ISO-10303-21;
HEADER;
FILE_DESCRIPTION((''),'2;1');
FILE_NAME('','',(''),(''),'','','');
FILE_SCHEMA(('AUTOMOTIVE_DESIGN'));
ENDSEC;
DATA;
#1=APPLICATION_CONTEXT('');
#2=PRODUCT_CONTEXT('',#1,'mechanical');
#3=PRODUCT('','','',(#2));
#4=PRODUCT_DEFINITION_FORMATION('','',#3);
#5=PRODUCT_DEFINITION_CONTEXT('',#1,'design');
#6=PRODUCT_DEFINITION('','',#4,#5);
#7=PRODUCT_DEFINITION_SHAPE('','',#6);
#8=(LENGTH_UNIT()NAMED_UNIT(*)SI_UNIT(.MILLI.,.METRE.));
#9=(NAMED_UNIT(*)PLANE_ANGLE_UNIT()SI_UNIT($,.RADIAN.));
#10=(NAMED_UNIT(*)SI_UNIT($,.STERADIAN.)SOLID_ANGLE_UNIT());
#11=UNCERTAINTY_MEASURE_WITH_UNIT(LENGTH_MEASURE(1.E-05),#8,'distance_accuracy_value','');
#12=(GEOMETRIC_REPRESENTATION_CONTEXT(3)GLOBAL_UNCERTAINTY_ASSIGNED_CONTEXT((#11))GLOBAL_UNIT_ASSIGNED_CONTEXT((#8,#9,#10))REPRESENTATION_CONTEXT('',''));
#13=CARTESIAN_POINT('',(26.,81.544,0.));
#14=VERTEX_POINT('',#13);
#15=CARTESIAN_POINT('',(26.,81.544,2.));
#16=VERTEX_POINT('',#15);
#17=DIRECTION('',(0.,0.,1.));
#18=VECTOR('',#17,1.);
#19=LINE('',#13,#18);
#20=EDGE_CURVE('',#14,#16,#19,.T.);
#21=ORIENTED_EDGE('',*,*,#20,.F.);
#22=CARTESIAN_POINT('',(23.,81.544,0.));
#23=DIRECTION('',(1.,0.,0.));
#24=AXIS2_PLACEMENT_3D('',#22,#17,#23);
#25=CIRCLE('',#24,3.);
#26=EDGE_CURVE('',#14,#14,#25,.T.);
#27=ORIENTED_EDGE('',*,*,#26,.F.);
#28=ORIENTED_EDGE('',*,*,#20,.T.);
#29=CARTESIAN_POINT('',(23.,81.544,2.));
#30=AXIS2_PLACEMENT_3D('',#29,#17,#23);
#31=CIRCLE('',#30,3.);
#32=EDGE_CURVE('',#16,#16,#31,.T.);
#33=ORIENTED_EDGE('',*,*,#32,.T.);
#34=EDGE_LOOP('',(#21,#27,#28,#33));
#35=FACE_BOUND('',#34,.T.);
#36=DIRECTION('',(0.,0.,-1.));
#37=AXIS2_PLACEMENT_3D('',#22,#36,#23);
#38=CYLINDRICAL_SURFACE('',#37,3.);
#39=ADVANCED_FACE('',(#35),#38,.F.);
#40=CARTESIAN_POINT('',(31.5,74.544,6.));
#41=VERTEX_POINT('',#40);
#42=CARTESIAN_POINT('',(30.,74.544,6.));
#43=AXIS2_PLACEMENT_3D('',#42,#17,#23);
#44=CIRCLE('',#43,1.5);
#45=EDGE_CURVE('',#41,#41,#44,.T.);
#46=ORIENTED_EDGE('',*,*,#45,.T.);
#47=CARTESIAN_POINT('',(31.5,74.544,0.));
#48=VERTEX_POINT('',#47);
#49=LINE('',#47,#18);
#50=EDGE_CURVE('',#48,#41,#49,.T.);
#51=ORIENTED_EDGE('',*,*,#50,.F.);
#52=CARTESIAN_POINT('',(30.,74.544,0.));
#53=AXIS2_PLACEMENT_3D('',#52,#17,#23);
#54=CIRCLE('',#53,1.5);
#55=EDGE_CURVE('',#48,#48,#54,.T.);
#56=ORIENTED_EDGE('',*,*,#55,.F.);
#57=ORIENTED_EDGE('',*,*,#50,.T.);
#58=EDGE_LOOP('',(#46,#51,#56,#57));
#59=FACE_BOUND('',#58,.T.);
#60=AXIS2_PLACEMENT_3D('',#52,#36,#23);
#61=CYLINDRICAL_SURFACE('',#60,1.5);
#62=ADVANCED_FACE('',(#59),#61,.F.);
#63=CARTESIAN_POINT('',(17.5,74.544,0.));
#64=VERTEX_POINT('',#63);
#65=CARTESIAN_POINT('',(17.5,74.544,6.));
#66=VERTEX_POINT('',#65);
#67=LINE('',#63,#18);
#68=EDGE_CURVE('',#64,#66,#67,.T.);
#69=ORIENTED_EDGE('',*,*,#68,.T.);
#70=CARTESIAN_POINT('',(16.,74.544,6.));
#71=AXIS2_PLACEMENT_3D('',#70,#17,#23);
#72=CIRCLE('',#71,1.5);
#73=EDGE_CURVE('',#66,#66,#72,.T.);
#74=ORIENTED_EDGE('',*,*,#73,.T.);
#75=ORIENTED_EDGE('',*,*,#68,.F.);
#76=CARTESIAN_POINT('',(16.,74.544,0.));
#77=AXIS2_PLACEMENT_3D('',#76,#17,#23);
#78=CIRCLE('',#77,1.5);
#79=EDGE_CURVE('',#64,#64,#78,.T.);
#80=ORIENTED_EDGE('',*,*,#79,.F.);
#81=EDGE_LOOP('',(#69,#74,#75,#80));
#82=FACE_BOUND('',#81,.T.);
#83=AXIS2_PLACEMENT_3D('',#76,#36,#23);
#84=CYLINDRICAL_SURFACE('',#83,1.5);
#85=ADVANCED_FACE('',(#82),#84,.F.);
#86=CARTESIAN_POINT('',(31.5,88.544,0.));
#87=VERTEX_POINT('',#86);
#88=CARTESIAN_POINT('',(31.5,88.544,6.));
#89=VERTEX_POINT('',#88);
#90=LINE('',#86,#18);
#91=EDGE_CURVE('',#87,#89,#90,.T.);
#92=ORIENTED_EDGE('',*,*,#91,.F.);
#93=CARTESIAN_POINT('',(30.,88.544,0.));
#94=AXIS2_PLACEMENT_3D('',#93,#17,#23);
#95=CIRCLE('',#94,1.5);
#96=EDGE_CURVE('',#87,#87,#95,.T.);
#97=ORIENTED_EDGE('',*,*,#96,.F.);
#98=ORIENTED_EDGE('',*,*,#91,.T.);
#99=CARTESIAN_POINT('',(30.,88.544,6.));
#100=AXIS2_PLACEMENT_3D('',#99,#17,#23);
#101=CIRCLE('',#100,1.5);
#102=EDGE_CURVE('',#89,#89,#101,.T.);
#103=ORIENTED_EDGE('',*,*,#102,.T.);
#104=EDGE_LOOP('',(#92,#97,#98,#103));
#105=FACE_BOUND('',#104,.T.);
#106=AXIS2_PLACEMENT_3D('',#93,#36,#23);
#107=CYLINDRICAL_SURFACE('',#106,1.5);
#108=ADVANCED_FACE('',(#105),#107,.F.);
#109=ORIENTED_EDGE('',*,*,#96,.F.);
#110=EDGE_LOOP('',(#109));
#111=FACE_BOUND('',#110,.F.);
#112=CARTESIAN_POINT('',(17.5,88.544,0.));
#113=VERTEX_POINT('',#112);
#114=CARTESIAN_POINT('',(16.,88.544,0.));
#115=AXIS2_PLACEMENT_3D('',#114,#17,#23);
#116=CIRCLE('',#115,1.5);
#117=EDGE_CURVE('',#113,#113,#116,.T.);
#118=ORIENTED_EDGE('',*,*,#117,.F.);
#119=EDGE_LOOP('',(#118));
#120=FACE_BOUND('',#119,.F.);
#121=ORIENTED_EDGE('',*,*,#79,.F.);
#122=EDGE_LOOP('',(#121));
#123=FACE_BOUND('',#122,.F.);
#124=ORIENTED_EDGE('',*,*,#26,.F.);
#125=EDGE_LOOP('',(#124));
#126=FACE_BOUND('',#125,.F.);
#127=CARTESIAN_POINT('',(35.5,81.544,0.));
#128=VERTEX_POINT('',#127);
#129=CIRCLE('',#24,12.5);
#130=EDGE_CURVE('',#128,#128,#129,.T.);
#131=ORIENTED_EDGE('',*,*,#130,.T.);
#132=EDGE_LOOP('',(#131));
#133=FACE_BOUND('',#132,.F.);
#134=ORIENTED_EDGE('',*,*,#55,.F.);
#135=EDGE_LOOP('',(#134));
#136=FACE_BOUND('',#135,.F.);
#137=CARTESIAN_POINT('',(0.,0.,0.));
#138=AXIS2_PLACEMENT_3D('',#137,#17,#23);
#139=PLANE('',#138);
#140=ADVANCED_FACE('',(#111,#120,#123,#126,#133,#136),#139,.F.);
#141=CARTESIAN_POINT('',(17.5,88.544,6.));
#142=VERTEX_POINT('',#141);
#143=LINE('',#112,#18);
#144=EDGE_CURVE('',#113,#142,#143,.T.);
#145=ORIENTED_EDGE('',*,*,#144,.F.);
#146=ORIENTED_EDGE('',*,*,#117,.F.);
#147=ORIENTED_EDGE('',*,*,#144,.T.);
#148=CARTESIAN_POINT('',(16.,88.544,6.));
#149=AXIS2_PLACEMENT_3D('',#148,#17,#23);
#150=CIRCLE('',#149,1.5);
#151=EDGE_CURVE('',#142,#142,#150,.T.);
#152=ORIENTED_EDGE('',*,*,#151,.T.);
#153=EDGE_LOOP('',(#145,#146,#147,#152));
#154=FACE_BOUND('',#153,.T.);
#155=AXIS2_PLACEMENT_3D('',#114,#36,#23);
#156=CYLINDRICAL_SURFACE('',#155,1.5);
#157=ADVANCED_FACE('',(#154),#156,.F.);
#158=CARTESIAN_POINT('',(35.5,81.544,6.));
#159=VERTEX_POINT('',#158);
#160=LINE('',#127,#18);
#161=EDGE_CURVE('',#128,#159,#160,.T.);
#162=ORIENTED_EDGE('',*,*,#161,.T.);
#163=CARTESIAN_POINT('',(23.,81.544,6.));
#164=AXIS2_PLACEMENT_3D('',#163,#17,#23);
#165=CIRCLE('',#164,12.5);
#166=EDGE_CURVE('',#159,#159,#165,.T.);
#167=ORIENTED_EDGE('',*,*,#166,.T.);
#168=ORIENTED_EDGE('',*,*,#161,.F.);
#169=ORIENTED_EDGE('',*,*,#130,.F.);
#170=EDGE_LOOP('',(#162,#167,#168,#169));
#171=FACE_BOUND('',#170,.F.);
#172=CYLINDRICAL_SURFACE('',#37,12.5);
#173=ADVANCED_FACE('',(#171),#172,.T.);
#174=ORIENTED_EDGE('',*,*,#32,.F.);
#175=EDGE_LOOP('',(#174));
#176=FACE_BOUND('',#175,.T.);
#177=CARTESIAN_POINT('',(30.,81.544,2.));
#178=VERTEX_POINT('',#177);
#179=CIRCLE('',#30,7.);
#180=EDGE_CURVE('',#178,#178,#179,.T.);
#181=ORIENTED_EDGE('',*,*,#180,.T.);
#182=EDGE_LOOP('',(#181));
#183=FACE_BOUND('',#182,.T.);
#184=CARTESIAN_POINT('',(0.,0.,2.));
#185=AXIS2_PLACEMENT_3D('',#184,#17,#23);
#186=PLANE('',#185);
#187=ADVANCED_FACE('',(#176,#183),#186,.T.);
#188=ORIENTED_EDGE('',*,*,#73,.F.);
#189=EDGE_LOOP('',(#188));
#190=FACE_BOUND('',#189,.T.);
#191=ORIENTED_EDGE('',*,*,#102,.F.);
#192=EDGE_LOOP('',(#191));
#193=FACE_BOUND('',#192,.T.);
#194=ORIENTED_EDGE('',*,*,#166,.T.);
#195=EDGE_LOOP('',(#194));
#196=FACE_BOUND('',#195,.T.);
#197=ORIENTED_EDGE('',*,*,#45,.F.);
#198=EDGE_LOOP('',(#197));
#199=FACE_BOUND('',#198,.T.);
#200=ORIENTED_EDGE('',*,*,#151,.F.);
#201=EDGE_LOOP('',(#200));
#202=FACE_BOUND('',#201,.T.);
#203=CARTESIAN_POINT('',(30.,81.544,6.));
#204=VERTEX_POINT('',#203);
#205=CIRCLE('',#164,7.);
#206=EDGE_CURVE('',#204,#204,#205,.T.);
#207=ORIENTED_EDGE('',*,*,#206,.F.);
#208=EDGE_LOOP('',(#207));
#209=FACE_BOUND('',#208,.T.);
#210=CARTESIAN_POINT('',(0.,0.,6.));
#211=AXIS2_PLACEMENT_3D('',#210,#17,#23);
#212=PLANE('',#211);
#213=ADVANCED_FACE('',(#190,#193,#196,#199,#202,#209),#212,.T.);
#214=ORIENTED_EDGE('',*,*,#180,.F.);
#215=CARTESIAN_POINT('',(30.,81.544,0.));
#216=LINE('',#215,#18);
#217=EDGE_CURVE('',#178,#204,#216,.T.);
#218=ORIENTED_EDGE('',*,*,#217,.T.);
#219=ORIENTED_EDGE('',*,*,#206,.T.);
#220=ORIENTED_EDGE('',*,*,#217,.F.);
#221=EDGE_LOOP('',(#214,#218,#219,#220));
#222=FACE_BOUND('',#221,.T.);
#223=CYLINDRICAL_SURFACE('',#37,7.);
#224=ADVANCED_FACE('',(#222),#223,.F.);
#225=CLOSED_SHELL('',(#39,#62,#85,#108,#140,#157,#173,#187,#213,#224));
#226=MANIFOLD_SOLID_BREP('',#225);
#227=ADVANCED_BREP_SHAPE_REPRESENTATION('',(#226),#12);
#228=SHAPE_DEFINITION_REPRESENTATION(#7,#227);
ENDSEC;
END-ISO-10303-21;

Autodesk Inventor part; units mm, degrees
ref_plane "YZ Plane" through (0, 0, 0) normal (1, 0, 0) x (0, 1, 0)
ref_plane "XZ Plane" through (0, 0, 0) normal (0, 1, 0) x (-1, 0, 0)
ref_plane "XY Plane" through (0, 0, 0) normal (0, 0, 1) x (1, 0, 0)
ref_plane "РабПлоскость1" through (0, 0, 0) normal (0, 0, 1) x (1, 0, 0)
sketch "Эскиз1" plane through (0, 0, 0) normal (0, 0, 1) x (1, 0, 0)
  circle A0 centre (30, 88.544) radius 1.5 projected
  circle A1 centre (30, 74.544) radius 1.5 projected
  circle A2 centre (16, 74.544) radius 1.5 projected
  circle A3 centre (16, 88.544) radius 1.5 projected
  circle A4 centre (23, 81.544) radius 7 projected
  circle A5 centre (23, 81.544) radius 12.5
  circle A6 centre (23, 81.544) radius 3
  point P0 (0, 0)
  dimension "d0" = 25
  dimension "d5" = 6
extrude "Выдавливание1" add sketch "Эскиз1" along normal blind 6 contours A5
extrude "Выдавливание2" add sketch "Эскиз1" along normal blind 2 contours A4
properties part number "подшипник не выпадет"
